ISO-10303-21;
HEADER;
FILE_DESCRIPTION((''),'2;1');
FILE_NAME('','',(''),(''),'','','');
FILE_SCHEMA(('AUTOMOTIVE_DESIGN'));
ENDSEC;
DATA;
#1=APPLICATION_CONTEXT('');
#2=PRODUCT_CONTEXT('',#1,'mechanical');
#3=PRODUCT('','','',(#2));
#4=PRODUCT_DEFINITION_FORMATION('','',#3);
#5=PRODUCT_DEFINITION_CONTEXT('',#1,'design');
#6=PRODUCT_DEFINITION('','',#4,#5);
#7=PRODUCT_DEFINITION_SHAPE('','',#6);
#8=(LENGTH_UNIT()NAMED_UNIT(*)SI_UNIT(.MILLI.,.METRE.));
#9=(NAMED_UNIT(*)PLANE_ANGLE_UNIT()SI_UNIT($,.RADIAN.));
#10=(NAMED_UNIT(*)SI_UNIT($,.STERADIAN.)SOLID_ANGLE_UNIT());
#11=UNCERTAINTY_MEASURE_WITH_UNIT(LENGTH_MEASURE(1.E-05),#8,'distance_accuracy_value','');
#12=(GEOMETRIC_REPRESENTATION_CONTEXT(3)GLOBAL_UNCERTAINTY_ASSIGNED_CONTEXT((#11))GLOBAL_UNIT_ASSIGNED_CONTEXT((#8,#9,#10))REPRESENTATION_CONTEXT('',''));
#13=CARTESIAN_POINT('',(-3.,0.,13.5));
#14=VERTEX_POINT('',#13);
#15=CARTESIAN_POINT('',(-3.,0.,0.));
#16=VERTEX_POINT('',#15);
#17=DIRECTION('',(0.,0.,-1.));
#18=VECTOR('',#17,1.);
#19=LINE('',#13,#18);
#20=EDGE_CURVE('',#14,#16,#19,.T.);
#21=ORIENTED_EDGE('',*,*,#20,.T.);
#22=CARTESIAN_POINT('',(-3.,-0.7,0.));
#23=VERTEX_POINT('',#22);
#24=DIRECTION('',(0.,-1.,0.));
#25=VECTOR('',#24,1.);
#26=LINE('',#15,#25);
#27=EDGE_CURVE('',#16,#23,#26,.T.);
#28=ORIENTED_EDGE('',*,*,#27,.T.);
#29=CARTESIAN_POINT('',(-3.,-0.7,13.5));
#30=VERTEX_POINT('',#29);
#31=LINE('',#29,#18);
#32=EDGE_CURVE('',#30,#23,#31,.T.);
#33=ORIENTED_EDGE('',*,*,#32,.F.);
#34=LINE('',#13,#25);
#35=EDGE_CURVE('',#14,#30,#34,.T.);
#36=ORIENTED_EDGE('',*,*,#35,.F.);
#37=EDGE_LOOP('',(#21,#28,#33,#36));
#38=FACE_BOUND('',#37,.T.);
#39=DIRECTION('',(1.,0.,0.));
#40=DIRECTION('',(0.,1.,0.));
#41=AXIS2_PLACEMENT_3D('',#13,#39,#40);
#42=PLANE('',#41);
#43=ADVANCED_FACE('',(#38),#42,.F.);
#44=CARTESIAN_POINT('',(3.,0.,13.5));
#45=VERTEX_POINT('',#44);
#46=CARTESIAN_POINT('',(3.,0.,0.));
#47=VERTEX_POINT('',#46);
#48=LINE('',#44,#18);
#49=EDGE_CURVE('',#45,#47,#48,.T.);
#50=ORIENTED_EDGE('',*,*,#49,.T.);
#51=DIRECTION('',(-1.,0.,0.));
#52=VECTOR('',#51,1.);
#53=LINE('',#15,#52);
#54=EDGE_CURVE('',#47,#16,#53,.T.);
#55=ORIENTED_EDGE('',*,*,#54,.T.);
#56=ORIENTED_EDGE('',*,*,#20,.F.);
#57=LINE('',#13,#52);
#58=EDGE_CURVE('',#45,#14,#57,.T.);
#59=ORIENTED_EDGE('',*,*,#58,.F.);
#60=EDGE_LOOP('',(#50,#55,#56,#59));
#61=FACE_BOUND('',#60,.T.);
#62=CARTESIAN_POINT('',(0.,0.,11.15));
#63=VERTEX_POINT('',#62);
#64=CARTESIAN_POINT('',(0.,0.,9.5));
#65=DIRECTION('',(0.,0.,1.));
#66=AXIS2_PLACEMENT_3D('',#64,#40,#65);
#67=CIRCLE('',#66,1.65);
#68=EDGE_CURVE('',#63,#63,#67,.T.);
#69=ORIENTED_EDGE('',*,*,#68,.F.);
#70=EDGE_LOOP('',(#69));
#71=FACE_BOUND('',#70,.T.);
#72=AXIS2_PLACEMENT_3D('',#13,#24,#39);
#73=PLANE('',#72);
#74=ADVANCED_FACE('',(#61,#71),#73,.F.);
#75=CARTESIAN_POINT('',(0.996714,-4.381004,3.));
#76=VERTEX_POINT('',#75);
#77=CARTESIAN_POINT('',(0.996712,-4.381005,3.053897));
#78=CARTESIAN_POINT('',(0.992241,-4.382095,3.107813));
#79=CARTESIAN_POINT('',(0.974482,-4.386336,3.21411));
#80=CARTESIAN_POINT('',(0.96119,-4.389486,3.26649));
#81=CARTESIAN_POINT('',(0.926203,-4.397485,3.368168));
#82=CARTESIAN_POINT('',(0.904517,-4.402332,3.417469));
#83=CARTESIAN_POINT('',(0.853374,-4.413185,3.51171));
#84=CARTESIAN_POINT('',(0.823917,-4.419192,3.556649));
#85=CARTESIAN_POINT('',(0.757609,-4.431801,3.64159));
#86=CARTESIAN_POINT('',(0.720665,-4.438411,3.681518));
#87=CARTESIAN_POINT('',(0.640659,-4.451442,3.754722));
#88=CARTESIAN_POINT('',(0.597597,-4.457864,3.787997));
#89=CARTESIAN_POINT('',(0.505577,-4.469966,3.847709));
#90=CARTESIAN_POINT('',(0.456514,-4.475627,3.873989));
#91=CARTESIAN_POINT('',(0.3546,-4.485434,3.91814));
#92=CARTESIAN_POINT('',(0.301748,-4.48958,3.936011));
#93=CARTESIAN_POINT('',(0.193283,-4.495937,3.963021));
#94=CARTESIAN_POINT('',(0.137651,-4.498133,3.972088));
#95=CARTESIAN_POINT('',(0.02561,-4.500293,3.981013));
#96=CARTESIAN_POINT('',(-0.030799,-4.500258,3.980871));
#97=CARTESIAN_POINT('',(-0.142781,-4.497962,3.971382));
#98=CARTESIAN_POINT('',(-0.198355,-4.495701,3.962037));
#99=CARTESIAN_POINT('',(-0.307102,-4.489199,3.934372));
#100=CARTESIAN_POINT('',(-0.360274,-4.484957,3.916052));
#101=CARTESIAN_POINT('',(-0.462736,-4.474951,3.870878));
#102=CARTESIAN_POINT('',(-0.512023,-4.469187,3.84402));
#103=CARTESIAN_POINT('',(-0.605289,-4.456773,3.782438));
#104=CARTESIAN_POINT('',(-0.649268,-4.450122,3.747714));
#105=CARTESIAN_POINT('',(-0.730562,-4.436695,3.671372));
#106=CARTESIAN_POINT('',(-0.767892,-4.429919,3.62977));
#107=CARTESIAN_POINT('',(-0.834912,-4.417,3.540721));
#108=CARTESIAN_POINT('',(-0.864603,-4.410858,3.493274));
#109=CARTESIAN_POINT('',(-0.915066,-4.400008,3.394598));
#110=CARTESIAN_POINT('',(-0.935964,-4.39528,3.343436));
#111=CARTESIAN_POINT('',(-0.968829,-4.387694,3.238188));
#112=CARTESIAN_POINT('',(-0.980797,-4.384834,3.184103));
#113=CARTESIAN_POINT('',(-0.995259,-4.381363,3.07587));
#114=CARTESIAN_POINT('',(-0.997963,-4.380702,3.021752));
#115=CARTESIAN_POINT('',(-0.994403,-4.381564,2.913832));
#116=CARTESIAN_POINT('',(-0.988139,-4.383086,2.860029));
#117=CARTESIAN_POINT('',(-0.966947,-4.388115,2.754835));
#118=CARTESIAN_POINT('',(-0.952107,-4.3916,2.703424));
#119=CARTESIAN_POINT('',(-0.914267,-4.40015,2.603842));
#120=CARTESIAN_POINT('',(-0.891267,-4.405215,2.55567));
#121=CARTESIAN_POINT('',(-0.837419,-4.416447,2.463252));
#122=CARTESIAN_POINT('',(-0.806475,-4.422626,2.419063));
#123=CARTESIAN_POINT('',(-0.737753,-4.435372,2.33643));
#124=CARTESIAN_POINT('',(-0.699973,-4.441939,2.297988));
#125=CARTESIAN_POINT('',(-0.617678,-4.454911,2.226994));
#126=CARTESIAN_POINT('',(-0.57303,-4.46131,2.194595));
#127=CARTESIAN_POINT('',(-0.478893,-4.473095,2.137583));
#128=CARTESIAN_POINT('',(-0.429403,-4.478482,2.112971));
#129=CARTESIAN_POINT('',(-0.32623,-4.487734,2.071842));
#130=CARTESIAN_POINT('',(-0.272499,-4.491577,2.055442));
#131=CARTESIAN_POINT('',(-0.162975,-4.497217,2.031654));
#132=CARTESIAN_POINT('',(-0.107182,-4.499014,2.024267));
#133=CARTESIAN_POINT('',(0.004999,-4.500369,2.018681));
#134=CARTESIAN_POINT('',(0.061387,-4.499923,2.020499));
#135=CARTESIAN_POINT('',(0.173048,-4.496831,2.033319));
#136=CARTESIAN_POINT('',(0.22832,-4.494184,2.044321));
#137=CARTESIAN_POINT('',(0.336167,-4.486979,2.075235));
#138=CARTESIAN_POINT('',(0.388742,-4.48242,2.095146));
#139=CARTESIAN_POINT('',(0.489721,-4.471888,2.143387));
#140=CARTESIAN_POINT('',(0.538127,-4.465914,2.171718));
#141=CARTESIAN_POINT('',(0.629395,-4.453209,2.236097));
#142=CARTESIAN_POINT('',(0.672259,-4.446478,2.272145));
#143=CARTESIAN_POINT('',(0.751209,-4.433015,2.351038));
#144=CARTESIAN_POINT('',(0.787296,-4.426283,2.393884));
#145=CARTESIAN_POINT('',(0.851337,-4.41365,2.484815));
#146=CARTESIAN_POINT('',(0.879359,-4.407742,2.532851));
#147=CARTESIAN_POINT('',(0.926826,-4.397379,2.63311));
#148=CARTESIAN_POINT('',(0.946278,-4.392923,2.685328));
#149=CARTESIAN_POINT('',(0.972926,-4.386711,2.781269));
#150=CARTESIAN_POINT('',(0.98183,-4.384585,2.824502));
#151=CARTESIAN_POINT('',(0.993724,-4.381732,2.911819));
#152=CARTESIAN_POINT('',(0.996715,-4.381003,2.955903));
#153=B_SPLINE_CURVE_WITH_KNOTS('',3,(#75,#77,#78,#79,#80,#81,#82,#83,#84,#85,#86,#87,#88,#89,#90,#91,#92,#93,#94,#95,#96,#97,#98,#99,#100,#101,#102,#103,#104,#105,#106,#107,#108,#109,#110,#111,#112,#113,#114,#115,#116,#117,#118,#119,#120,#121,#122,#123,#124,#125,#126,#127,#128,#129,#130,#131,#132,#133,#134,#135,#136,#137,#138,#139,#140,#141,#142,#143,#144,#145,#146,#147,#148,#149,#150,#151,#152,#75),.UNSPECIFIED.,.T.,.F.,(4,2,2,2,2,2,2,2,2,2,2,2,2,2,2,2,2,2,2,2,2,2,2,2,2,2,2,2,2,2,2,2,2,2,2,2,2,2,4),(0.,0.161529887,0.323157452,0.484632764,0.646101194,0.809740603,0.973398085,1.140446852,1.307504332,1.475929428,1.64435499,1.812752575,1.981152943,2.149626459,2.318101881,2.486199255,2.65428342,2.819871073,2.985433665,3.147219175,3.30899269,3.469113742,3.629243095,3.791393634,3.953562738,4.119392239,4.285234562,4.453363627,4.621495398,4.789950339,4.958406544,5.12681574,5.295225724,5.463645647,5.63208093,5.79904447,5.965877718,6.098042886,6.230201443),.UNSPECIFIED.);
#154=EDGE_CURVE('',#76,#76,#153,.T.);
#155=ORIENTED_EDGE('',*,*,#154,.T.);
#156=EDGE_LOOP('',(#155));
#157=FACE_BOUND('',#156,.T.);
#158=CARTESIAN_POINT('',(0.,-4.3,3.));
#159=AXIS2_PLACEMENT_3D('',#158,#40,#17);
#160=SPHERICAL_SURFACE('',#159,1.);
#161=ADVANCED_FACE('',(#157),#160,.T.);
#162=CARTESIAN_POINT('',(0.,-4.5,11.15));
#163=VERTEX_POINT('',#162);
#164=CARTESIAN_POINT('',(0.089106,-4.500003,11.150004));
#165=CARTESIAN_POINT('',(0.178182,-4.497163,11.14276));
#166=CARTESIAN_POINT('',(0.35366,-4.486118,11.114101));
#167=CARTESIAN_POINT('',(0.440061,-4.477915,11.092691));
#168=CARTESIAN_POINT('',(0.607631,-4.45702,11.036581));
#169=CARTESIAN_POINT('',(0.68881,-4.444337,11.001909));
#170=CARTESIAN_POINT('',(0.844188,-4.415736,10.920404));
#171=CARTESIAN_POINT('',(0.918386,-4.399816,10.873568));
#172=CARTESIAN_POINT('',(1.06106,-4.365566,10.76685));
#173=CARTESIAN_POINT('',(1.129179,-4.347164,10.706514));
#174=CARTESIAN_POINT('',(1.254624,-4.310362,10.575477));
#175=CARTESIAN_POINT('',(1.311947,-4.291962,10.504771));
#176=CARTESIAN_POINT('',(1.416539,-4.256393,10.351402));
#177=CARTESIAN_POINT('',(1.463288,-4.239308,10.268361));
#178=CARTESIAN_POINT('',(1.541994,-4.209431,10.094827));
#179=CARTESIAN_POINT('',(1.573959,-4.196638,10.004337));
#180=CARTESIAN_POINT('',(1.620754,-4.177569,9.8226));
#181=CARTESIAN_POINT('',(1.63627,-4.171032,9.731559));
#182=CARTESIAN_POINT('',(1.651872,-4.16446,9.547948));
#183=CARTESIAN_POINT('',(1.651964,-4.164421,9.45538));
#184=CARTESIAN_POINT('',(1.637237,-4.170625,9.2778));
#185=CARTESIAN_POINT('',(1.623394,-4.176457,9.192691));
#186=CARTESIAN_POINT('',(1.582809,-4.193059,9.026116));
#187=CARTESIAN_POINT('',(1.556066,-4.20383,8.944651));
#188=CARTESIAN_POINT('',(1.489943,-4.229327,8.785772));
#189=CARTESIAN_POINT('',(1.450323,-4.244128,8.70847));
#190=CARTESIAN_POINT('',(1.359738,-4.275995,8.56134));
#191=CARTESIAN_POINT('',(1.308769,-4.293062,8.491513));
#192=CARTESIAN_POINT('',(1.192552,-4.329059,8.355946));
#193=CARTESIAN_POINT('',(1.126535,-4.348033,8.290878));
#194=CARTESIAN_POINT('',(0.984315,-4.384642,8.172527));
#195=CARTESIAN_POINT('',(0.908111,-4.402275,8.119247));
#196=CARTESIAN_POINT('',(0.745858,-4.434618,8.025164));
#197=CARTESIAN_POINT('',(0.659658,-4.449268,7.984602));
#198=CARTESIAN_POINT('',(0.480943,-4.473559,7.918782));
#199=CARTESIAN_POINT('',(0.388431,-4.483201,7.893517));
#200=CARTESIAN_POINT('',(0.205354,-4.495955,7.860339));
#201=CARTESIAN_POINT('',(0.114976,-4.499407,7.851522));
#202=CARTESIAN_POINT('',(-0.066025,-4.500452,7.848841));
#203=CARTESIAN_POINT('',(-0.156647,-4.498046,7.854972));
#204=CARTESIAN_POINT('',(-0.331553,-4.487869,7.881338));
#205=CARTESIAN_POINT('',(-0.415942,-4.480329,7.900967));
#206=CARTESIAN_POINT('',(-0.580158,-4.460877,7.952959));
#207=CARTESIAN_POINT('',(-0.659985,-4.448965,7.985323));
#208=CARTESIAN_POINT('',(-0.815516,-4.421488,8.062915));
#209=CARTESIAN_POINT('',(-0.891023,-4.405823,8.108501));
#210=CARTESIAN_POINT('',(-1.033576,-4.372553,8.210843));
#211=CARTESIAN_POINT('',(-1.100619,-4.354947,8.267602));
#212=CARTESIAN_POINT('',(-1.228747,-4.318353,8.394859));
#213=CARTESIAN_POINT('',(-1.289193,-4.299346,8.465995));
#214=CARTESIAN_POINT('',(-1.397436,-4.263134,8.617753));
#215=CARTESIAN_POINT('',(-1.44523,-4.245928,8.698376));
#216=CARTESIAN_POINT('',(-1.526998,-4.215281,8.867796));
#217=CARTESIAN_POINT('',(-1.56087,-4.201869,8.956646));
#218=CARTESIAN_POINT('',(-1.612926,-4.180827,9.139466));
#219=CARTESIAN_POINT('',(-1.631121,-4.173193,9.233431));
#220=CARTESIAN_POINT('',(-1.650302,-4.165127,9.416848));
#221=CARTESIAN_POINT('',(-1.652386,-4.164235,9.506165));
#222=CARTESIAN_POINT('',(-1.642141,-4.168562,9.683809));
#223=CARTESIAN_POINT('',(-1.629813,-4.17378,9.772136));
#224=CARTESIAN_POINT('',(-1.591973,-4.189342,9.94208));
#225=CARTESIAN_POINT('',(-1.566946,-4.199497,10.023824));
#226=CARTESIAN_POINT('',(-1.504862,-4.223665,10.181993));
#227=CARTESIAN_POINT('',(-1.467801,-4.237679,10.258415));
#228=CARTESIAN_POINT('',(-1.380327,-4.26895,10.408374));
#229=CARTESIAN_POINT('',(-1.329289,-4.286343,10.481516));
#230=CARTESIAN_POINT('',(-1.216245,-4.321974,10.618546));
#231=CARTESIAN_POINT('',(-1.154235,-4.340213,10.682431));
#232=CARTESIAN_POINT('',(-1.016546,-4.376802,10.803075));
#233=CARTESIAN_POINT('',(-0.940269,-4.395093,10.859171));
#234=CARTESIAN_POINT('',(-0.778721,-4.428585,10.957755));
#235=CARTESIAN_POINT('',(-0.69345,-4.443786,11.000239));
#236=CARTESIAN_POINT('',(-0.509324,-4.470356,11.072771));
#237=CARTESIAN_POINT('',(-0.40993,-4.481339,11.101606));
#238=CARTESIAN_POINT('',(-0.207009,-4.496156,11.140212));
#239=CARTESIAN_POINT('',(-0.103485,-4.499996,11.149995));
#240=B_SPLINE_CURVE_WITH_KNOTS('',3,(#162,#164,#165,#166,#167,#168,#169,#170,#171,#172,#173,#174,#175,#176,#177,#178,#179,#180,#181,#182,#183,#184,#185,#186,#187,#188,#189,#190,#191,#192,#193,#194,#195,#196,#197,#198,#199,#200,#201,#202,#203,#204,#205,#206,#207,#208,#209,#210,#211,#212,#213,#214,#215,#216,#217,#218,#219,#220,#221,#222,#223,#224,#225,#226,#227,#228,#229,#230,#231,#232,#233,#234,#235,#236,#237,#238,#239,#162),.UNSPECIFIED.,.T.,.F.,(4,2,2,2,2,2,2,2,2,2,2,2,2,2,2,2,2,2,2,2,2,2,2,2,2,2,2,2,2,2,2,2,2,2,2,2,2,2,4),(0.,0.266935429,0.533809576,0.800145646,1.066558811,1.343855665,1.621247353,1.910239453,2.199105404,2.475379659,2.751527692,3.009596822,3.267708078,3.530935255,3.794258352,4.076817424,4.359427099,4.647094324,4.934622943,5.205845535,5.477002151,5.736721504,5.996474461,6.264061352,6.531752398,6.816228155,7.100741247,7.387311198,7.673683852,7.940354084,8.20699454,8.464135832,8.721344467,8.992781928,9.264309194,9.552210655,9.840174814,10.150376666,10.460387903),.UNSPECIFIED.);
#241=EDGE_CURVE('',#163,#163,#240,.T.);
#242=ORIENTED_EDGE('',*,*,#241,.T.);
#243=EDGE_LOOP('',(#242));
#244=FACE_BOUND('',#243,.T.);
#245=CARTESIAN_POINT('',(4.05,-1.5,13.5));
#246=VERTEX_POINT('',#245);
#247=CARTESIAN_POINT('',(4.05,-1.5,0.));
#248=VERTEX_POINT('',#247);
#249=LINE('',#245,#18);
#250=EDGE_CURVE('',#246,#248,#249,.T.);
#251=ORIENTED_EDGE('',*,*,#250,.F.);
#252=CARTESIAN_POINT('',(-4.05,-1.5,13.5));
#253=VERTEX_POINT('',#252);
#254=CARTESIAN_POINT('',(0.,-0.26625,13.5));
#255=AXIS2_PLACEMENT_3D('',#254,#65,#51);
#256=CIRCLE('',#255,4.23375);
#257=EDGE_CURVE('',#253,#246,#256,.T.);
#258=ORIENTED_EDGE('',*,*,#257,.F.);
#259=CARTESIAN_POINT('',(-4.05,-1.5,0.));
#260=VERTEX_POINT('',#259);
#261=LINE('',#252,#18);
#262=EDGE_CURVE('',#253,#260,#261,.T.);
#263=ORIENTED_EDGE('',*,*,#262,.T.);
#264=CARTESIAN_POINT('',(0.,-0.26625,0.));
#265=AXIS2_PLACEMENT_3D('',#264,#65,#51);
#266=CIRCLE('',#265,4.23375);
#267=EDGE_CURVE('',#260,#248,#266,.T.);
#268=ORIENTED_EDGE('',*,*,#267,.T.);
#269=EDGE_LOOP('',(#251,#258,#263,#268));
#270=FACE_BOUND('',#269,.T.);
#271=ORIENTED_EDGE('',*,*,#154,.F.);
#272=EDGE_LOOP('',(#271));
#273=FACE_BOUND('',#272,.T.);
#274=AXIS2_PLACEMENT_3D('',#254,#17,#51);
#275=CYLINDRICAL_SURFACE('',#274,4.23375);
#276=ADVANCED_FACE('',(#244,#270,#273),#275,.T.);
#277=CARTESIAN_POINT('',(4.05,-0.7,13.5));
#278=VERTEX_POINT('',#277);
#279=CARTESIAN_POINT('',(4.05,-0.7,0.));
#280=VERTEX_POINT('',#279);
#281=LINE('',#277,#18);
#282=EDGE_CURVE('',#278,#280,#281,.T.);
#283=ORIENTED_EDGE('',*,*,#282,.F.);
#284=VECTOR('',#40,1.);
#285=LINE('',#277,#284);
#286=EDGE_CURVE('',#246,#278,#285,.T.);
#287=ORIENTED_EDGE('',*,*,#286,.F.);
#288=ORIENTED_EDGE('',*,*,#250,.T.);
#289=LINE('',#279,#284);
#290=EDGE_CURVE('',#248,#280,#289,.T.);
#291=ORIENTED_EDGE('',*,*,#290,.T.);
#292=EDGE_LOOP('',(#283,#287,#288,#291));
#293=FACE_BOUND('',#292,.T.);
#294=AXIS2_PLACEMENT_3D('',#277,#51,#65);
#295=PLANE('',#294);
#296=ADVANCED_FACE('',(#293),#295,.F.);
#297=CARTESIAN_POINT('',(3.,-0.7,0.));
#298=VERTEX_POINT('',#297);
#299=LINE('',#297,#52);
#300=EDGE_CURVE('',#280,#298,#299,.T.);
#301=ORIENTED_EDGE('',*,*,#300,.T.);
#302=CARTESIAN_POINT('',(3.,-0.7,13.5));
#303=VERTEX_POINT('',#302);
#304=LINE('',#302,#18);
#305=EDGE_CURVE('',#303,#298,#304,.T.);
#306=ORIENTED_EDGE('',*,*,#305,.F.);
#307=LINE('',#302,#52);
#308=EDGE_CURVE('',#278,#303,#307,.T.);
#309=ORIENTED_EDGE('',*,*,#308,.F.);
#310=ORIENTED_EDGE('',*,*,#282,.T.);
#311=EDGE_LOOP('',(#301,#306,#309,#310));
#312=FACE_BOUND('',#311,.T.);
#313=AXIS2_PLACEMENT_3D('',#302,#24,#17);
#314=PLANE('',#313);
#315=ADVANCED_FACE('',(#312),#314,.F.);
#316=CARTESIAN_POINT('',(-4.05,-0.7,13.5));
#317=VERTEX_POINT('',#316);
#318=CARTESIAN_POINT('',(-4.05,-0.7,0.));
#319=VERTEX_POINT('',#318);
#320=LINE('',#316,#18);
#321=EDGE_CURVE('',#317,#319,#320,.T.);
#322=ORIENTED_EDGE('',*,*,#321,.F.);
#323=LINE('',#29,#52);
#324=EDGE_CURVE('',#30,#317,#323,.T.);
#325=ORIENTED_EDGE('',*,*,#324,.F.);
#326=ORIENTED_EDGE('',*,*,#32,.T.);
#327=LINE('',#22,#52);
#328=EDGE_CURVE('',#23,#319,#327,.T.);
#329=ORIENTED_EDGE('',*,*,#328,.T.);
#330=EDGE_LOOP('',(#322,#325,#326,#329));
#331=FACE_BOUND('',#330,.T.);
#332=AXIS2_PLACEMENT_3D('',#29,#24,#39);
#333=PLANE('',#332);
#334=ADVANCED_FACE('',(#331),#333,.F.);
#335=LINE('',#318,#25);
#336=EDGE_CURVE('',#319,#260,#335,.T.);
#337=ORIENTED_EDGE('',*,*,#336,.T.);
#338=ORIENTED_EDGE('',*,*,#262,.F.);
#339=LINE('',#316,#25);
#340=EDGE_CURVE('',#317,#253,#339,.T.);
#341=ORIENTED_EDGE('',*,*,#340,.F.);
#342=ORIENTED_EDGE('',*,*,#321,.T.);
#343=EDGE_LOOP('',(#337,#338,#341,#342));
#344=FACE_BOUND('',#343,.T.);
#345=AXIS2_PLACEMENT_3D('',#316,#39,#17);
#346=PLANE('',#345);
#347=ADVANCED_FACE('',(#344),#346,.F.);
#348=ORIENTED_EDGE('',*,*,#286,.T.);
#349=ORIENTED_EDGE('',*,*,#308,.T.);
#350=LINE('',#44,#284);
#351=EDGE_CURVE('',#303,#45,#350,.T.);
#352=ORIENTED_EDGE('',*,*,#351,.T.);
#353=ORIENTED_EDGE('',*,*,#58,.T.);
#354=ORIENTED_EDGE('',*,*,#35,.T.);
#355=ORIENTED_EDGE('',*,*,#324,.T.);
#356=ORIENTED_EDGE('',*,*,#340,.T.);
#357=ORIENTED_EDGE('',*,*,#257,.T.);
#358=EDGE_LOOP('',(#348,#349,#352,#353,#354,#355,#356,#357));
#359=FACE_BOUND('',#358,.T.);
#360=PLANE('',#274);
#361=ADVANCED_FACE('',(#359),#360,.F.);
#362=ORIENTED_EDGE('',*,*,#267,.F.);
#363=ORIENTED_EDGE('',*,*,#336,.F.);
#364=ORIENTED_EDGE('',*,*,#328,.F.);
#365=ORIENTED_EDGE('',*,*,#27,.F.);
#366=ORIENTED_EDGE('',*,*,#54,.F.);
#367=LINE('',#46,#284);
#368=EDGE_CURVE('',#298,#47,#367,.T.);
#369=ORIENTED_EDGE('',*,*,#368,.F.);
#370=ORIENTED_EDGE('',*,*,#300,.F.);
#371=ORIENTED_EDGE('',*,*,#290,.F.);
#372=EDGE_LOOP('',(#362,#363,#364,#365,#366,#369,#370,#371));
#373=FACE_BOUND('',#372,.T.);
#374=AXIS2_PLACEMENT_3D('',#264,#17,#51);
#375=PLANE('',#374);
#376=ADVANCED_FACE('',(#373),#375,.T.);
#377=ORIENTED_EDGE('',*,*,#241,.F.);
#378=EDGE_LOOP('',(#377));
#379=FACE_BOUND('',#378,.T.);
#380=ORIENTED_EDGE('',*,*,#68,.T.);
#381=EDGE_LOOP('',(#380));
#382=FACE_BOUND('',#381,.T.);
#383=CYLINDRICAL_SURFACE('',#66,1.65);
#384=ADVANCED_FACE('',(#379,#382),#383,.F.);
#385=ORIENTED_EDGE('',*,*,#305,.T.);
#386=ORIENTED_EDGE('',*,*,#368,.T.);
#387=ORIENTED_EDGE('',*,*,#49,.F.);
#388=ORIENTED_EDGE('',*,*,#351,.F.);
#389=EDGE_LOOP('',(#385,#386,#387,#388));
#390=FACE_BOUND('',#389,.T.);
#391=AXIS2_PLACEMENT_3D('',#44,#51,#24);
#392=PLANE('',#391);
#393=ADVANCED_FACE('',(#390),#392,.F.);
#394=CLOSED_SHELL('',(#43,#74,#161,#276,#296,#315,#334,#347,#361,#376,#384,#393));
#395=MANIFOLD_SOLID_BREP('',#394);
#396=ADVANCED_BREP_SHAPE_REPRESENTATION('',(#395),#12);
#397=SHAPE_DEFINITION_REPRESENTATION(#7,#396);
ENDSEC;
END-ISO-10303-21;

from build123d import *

# Parameters (mm, degrees)
BOSS_EXTRU_1_DEPTH                        = 13.5
TROU_POUR_TARAUDAGE_POUR_TROU_TARAUD_M4_D = 3.3


with BuildPart() as part:
    # Esquisse1 → Boss.-Extru.1 (new body)
    with BuildSketch(Plane.XY):
        with BuildLine():
            Line((-3, 0), (3, 0))
            Line((3, 0), (3, -0.7))
            Line((3, -0.7), (4.05, -0.7))
            Line((4.05, -0.7), (4.05, -1.5))
            ThreePointArc((4.05, -1.5), (0, -4.5), (-4.05, -1.5))
            Line((-4.05, -1.5), (-4.05, -0.7))
            Line((-4.05, -0.7), (-3, -0.7))
            Line((-3, -0.7), (-3, 0))
        make_face()
    extrude(amount=BOSS_EXTRU_1_DEPTH)

    # Trou pour taraudage pour trou taraudé M41 (through all)
    with Locations(Plane(origin=(0, 0, 0), x_dir=(1, 0, 0), z_dir=(0, 1, 0))):
        with Locations((0, -9.5)):
            Hole(TROU_POUR_TARAUDAGE_POUR_TROU_TARAUD_M4_D / 2)

    # Esquisse4 → Révolution1 (revolve)
    with BuildSketch(Plane(origin=(0, 0, 0), x_dir=(0, 0, -1), z_dir=(1, 0, 0))):
        with BuildLine():
            Line((-3, -3.3), (-3, -5.3))
            ThreePointArc((-3, -5.3), (-2, -4.3), (-3, -3.3))
        make_face()
    revolve(axis=Axis((0, -3.3, 3), (0, -1, 0)))


solid = part.part
